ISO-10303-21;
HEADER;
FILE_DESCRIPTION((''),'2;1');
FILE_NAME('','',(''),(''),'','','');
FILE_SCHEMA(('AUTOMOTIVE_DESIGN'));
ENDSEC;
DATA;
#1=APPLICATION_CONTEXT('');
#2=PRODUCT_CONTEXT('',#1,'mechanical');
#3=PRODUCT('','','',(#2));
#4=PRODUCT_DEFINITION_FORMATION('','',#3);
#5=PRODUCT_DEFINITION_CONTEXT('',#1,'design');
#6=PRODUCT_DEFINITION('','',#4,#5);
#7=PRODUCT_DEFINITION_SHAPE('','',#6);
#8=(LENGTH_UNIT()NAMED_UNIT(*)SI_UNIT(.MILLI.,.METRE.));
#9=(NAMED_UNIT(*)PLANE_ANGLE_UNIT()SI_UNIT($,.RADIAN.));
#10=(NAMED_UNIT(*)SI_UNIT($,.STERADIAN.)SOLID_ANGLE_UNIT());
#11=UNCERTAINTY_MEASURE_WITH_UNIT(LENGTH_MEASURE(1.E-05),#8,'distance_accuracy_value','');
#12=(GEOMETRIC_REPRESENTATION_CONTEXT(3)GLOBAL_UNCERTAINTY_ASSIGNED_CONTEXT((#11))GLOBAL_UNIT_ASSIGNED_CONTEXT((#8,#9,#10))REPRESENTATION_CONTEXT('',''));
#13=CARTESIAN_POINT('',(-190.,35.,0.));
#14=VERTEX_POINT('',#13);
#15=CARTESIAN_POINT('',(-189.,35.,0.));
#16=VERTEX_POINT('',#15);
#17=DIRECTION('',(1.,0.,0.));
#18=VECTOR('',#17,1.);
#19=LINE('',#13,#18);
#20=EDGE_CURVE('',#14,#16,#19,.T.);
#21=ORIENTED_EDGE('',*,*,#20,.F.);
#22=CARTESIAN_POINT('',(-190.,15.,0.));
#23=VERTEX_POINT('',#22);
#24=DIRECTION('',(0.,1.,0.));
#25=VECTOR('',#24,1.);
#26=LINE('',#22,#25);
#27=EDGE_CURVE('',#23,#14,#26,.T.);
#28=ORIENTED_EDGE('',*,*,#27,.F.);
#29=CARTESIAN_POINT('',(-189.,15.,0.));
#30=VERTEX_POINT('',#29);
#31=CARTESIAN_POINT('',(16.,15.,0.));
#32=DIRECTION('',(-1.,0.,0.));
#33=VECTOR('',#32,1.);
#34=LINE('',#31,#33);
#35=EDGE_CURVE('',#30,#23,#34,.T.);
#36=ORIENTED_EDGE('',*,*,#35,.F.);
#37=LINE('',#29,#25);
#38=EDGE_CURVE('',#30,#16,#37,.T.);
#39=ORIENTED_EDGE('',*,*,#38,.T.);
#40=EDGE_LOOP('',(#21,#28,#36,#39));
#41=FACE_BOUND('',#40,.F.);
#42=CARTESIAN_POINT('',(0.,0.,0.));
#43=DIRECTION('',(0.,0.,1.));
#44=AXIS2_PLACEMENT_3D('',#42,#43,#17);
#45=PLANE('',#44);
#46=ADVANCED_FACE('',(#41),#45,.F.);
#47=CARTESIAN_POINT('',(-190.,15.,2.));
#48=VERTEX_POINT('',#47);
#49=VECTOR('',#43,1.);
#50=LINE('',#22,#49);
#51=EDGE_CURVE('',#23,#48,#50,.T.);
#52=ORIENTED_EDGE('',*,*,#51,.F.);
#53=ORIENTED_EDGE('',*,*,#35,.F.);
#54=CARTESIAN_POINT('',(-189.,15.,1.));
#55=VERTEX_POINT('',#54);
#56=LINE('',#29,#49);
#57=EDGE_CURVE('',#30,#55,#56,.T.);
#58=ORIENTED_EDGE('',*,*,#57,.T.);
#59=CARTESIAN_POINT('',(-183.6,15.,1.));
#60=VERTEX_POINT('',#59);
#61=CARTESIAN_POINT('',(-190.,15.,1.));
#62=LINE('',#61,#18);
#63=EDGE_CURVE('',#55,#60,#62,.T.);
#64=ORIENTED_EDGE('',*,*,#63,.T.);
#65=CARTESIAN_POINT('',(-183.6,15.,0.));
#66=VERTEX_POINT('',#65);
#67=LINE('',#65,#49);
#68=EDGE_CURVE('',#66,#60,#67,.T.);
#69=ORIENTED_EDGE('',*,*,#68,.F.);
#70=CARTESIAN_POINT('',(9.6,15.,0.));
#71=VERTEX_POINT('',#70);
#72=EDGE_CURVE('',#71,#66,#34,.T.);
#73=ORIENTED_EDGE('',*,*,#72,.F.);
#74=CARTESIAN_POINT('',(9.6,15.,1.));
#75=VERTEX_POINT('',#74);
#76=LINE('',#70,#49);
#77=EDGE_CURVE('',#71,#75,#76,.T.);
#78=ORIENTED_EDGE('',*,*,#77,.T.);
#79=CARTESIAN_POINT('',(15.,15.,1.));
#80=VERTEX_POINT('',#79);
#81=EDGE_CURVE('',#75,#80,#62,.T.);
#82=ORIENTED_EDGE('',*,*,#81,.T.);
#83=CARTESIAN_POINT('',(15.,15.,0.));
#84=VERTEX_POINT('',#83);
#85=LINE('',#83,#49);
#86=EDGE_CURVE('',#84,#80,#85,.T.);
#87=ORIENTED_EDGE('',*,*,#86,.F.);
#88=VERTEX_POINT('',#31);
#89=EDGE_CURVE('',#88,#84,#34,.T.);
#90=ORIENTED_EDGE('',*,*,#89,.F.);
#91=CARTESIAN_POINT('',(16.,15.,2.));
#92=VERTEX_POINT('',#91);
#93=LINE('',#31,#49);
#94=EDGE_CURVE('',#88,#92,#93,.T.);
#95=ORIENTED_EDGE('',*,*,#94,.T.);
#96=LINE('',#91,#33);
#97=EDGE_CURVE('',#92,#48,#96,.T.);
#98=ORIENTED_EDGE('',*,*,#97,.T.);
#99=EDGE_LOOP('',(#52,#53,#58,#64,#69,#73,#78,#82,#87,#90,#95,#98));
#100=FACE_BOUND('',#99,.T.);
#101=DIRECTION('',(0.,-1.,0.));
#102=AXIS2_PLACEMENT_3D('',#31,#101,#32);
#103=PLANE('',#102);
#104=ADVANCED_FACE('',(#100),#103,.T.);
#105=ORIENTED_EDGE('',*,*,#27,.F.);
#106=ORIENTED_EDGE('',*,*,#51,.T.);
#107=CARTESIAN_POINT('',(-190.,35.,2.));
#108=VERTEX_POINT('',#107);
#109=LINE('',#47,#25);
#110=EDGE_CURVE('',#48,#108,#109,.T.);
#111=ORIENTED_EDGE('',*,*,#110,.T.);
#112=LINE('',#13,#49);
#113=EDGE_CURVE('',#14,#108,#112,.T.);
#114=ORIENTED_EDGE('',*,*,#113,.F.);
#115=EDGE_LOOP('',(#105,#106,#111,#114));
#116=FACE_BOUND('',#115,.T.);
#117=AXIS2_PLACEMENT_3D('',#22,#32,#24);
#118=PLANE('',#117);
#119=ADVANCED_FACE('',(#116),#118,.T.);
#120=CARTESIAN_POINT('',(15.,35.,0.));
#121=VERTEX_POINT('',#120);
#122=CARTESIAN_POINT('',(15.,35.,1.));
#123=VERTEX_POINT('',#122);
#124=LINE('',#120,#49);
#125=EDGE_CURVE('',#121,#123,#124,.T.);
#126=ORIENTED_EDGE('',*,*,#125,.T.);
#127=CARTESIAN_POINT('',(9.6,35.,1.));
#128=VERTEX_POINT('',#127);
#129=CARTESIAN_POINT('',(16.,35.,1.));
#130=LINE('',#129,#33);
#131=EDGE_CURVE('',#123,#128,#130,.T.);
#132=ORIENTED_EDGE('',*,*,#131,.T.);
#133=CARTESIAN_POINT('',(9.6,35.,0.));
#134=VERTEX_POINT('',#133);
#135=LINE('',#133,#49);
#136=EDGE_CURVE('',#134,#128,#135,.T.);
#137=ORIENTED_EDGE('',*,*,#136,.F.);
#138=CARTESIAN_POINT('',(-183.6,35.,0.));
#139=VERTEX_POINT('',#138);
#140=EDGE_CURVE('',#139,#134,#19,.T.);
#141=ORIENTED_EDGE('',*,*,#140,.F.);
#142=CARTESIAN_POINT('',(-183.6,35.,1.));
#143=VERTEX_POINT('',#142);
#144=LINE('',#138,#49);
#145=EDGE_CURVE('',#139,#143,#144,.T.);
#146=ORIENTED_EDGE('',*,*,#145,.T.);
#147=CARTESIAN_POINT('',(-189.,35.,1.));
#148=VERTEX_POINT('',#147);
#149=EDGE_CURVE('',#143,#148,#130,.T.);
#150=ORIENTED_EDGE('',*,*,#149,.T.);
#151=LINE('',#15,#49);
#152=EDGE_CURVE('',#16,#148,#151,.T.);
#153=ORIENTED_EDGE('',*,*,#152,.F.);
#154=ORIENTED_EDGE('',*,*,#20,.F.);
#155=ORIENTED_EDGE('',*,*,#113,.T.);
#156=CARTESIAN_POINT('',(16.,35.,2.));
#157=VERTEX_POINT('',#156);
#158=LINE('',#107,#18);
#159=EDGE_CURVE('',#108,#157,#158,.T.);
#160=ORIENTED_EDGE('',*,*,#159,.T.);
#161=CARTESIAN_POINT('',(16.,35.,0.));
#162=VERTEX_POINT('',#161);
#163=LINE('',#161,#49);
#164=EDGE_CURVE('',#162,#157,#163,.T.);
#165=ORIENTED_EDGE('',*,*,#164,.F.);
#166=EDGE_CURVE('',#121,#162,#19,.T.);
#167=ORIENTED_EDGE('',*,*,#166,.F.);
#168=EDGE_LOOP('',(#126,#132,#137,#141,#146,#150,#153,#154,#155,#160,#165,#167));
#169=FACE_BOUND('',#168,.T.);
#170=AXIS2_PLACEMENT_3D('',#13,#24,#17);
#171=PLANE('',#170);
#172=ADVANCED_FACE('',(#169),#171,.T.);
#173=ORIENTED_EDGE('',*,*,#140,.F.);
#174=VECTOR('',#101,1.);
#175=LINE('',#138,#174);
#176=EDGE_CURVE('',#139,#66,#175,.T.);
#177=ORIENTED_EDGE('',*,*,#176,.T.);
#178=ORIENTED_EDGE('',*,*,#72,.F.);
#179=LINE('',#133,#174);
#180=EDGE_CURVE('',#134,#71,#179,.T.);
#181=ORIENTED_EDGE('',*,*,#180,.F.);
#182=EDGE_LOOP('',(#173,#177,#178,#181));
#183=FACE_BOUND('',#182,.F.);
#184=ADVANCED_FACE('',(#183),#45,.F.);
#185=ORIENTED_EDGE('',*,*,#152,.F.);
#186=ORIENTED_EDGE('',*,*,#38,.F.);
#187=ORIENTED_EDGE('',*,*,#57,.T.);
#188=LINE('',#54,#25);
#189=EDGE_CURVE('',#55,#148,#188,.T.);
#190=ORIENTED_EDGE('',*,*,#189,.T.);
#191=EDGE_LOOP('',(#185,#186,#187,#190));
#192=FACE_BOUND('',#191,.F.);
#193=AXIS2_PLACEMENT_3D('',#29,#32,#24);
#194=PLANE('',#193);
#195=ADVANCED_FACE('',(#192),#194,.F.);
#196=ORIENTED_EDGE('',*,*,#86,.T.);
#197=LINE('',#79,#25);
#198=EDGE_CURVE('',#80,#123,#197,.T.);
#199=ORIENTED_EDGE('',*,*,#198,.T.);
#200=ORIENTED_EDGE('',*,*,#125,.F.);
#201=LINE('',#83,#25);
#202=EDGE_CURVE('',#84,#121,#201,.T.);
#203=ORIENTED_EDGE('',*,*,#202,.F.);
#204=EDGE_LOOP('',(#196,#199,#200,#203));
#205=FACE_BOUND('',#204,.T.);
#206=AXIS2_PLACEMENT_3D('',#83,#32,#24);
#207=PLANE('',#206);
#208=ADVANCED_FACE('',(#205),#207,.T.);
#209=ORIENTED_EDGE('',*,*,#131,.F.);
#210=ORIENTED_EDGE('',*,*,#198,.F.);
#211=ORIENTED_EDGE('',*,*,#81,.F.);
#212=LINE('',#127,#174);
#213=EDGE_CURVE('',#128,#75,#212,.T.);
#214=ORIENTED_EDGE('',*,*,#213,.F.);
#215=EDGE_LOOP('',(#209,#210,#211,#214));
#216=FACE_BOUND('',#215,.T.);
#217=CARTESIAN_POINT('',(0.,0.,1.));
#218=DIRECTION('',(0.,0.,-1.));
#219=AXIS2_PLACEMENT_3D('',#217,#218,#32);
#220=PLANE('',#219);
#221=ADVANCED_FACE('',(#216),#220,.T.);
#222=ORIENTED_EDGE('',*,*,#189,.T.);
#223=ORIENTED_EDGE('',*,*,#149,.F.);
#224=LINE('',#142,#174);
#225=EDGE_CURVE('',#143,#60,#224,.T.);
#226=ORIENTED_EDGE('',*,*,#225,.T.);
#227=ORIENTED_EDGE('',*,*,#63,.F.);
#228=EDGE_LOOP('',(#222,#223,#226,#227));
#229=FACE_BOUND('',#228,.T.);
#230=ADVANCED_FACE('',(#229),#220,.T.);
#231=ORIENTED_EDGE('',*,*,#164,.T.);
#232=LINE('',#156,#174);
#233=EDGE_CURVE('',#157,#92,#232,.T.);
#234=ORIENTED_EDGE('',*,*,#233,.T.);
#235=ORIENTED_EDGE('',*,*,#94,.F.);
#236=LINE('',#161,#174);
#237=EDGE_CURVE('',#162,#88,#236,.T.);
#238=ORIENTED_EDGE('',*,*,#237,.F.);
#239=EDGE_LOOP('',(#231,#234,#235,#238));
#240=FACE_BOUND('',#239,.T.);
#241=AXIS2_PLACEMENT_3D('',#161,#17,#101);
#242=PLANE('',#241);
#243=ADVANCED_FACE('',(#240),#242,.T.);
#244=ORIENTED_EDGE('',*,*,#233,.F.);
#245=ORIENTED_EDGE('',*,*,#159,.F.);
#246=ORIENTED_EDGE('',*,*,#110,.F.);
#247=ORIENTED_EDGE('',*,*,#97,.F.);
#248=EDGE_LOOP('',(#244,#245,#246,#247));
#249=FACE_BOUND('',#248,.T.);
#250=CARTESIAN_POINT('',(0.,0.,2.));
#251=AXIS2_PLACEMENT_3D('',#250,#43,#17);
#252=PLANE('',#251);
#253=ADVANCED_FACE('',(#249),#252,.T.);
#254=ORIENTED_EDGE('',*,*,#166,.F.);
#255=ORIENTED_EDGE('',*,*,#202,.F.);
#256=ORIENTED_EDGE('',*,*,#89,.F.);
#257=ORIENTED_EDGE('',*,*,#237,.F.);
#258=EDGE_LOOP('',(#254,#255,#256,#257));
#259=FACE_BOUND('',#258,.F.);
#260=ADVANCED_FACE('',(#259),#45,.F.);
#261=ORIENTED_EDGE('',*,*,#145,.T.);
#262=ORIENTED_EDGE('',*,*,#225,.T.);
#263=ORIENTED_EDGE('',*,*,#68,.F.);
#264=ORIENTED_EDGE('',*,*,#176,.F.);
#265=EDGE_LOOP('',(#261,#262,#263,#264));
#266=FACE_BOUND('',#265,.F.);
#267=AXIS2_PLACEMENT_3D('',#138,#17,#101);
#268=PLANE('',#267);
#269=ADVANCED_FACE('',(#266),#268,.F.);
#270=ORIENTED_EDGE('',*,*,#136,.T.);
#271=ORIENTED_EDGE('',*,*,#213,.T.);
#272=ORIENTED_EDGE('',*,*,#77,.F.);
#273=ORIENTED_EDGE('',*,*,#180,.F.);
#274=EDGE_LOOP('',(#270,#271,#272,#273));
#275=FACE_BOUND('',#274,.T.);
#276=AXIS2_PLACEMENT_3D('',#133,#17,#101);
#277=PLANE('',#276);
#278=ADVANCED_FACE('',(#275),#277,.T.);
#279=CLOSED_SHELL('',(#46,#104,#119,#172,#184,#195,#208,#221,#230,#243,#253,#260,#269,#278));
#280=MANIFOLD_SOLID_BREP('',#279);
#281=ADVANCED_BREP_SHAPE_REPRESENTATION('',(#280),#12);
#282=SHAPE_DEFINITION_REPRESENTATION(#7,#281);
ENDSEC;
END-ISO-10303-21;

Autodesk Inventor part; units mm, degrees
ref_plane "YZ Plane" through (0, 0, 0) normal (1, 0, 0) x (0, 1, 0)
ref_plane "XZ Plane" through (0, 0, 0) normal (0, 1, 0) x (-1, 0, 0)
ref_plane "XY Plane" through (0, 0, 0) normal (0, 0, 1) x (1, 0, 0)
sketch "스케치1" plane through (0, 0, 0) normal (0, 0, 1) x (1, 0, 0)
  line L0 (-190, 35) -> (16, 35)
  line L1 (16, 35) -> (16, 15)
  line L2 (16, 15) -> (-190, 15)
  line L3 (-190, 15) -> (-190, 35)
  point P0 (0, 0)
  dimension "d0" = 206
  dimension "d1" = 20
extrude "돌출1" add sketch "스케치1" along normal blind 2
sketch "스케치2" plane through (0, 0, 0) normal (0, 0, -1) x (-1, 0, 0)
  line L0 (-16, 35) -> (190, 35) projected
  line L1 (190, 15) -> (-16, 15) projected
  line L2 (-15, 35) -> (-9.6, 35)
  line L3 (-9.6, 35) -> (-9.6, 15)
  line L4 (-9.6, 15) -> (-15, 15)
  line L5 (-15, 15) -> (-15, 35)
  line L6 (189, 35) -> (183.6, 35)
  line L7 (183.6, 35) -> (183.6, 15)
  line L8 (183.6, 15) -> (189, 15)
  line L9 (189, 15) -> (189, 35)
  line L10 (190, 15) -> (190, 35) projected
  line L11 (-16, 35) -> (-16, 15) projected
  point P0 (0, 0)
  dimension "d4" = 5.4
  dimension "d5" = 5.4
  dimension "d6" = 1
  dimension "d7" = 1
extrude "돌출2" cut sketch "스케치2" against normal blind 1 contours L0 L3 L1 L5 | L0 L9 L1 L7
properties part number "앞판_위" material "알루미늄 6061"
